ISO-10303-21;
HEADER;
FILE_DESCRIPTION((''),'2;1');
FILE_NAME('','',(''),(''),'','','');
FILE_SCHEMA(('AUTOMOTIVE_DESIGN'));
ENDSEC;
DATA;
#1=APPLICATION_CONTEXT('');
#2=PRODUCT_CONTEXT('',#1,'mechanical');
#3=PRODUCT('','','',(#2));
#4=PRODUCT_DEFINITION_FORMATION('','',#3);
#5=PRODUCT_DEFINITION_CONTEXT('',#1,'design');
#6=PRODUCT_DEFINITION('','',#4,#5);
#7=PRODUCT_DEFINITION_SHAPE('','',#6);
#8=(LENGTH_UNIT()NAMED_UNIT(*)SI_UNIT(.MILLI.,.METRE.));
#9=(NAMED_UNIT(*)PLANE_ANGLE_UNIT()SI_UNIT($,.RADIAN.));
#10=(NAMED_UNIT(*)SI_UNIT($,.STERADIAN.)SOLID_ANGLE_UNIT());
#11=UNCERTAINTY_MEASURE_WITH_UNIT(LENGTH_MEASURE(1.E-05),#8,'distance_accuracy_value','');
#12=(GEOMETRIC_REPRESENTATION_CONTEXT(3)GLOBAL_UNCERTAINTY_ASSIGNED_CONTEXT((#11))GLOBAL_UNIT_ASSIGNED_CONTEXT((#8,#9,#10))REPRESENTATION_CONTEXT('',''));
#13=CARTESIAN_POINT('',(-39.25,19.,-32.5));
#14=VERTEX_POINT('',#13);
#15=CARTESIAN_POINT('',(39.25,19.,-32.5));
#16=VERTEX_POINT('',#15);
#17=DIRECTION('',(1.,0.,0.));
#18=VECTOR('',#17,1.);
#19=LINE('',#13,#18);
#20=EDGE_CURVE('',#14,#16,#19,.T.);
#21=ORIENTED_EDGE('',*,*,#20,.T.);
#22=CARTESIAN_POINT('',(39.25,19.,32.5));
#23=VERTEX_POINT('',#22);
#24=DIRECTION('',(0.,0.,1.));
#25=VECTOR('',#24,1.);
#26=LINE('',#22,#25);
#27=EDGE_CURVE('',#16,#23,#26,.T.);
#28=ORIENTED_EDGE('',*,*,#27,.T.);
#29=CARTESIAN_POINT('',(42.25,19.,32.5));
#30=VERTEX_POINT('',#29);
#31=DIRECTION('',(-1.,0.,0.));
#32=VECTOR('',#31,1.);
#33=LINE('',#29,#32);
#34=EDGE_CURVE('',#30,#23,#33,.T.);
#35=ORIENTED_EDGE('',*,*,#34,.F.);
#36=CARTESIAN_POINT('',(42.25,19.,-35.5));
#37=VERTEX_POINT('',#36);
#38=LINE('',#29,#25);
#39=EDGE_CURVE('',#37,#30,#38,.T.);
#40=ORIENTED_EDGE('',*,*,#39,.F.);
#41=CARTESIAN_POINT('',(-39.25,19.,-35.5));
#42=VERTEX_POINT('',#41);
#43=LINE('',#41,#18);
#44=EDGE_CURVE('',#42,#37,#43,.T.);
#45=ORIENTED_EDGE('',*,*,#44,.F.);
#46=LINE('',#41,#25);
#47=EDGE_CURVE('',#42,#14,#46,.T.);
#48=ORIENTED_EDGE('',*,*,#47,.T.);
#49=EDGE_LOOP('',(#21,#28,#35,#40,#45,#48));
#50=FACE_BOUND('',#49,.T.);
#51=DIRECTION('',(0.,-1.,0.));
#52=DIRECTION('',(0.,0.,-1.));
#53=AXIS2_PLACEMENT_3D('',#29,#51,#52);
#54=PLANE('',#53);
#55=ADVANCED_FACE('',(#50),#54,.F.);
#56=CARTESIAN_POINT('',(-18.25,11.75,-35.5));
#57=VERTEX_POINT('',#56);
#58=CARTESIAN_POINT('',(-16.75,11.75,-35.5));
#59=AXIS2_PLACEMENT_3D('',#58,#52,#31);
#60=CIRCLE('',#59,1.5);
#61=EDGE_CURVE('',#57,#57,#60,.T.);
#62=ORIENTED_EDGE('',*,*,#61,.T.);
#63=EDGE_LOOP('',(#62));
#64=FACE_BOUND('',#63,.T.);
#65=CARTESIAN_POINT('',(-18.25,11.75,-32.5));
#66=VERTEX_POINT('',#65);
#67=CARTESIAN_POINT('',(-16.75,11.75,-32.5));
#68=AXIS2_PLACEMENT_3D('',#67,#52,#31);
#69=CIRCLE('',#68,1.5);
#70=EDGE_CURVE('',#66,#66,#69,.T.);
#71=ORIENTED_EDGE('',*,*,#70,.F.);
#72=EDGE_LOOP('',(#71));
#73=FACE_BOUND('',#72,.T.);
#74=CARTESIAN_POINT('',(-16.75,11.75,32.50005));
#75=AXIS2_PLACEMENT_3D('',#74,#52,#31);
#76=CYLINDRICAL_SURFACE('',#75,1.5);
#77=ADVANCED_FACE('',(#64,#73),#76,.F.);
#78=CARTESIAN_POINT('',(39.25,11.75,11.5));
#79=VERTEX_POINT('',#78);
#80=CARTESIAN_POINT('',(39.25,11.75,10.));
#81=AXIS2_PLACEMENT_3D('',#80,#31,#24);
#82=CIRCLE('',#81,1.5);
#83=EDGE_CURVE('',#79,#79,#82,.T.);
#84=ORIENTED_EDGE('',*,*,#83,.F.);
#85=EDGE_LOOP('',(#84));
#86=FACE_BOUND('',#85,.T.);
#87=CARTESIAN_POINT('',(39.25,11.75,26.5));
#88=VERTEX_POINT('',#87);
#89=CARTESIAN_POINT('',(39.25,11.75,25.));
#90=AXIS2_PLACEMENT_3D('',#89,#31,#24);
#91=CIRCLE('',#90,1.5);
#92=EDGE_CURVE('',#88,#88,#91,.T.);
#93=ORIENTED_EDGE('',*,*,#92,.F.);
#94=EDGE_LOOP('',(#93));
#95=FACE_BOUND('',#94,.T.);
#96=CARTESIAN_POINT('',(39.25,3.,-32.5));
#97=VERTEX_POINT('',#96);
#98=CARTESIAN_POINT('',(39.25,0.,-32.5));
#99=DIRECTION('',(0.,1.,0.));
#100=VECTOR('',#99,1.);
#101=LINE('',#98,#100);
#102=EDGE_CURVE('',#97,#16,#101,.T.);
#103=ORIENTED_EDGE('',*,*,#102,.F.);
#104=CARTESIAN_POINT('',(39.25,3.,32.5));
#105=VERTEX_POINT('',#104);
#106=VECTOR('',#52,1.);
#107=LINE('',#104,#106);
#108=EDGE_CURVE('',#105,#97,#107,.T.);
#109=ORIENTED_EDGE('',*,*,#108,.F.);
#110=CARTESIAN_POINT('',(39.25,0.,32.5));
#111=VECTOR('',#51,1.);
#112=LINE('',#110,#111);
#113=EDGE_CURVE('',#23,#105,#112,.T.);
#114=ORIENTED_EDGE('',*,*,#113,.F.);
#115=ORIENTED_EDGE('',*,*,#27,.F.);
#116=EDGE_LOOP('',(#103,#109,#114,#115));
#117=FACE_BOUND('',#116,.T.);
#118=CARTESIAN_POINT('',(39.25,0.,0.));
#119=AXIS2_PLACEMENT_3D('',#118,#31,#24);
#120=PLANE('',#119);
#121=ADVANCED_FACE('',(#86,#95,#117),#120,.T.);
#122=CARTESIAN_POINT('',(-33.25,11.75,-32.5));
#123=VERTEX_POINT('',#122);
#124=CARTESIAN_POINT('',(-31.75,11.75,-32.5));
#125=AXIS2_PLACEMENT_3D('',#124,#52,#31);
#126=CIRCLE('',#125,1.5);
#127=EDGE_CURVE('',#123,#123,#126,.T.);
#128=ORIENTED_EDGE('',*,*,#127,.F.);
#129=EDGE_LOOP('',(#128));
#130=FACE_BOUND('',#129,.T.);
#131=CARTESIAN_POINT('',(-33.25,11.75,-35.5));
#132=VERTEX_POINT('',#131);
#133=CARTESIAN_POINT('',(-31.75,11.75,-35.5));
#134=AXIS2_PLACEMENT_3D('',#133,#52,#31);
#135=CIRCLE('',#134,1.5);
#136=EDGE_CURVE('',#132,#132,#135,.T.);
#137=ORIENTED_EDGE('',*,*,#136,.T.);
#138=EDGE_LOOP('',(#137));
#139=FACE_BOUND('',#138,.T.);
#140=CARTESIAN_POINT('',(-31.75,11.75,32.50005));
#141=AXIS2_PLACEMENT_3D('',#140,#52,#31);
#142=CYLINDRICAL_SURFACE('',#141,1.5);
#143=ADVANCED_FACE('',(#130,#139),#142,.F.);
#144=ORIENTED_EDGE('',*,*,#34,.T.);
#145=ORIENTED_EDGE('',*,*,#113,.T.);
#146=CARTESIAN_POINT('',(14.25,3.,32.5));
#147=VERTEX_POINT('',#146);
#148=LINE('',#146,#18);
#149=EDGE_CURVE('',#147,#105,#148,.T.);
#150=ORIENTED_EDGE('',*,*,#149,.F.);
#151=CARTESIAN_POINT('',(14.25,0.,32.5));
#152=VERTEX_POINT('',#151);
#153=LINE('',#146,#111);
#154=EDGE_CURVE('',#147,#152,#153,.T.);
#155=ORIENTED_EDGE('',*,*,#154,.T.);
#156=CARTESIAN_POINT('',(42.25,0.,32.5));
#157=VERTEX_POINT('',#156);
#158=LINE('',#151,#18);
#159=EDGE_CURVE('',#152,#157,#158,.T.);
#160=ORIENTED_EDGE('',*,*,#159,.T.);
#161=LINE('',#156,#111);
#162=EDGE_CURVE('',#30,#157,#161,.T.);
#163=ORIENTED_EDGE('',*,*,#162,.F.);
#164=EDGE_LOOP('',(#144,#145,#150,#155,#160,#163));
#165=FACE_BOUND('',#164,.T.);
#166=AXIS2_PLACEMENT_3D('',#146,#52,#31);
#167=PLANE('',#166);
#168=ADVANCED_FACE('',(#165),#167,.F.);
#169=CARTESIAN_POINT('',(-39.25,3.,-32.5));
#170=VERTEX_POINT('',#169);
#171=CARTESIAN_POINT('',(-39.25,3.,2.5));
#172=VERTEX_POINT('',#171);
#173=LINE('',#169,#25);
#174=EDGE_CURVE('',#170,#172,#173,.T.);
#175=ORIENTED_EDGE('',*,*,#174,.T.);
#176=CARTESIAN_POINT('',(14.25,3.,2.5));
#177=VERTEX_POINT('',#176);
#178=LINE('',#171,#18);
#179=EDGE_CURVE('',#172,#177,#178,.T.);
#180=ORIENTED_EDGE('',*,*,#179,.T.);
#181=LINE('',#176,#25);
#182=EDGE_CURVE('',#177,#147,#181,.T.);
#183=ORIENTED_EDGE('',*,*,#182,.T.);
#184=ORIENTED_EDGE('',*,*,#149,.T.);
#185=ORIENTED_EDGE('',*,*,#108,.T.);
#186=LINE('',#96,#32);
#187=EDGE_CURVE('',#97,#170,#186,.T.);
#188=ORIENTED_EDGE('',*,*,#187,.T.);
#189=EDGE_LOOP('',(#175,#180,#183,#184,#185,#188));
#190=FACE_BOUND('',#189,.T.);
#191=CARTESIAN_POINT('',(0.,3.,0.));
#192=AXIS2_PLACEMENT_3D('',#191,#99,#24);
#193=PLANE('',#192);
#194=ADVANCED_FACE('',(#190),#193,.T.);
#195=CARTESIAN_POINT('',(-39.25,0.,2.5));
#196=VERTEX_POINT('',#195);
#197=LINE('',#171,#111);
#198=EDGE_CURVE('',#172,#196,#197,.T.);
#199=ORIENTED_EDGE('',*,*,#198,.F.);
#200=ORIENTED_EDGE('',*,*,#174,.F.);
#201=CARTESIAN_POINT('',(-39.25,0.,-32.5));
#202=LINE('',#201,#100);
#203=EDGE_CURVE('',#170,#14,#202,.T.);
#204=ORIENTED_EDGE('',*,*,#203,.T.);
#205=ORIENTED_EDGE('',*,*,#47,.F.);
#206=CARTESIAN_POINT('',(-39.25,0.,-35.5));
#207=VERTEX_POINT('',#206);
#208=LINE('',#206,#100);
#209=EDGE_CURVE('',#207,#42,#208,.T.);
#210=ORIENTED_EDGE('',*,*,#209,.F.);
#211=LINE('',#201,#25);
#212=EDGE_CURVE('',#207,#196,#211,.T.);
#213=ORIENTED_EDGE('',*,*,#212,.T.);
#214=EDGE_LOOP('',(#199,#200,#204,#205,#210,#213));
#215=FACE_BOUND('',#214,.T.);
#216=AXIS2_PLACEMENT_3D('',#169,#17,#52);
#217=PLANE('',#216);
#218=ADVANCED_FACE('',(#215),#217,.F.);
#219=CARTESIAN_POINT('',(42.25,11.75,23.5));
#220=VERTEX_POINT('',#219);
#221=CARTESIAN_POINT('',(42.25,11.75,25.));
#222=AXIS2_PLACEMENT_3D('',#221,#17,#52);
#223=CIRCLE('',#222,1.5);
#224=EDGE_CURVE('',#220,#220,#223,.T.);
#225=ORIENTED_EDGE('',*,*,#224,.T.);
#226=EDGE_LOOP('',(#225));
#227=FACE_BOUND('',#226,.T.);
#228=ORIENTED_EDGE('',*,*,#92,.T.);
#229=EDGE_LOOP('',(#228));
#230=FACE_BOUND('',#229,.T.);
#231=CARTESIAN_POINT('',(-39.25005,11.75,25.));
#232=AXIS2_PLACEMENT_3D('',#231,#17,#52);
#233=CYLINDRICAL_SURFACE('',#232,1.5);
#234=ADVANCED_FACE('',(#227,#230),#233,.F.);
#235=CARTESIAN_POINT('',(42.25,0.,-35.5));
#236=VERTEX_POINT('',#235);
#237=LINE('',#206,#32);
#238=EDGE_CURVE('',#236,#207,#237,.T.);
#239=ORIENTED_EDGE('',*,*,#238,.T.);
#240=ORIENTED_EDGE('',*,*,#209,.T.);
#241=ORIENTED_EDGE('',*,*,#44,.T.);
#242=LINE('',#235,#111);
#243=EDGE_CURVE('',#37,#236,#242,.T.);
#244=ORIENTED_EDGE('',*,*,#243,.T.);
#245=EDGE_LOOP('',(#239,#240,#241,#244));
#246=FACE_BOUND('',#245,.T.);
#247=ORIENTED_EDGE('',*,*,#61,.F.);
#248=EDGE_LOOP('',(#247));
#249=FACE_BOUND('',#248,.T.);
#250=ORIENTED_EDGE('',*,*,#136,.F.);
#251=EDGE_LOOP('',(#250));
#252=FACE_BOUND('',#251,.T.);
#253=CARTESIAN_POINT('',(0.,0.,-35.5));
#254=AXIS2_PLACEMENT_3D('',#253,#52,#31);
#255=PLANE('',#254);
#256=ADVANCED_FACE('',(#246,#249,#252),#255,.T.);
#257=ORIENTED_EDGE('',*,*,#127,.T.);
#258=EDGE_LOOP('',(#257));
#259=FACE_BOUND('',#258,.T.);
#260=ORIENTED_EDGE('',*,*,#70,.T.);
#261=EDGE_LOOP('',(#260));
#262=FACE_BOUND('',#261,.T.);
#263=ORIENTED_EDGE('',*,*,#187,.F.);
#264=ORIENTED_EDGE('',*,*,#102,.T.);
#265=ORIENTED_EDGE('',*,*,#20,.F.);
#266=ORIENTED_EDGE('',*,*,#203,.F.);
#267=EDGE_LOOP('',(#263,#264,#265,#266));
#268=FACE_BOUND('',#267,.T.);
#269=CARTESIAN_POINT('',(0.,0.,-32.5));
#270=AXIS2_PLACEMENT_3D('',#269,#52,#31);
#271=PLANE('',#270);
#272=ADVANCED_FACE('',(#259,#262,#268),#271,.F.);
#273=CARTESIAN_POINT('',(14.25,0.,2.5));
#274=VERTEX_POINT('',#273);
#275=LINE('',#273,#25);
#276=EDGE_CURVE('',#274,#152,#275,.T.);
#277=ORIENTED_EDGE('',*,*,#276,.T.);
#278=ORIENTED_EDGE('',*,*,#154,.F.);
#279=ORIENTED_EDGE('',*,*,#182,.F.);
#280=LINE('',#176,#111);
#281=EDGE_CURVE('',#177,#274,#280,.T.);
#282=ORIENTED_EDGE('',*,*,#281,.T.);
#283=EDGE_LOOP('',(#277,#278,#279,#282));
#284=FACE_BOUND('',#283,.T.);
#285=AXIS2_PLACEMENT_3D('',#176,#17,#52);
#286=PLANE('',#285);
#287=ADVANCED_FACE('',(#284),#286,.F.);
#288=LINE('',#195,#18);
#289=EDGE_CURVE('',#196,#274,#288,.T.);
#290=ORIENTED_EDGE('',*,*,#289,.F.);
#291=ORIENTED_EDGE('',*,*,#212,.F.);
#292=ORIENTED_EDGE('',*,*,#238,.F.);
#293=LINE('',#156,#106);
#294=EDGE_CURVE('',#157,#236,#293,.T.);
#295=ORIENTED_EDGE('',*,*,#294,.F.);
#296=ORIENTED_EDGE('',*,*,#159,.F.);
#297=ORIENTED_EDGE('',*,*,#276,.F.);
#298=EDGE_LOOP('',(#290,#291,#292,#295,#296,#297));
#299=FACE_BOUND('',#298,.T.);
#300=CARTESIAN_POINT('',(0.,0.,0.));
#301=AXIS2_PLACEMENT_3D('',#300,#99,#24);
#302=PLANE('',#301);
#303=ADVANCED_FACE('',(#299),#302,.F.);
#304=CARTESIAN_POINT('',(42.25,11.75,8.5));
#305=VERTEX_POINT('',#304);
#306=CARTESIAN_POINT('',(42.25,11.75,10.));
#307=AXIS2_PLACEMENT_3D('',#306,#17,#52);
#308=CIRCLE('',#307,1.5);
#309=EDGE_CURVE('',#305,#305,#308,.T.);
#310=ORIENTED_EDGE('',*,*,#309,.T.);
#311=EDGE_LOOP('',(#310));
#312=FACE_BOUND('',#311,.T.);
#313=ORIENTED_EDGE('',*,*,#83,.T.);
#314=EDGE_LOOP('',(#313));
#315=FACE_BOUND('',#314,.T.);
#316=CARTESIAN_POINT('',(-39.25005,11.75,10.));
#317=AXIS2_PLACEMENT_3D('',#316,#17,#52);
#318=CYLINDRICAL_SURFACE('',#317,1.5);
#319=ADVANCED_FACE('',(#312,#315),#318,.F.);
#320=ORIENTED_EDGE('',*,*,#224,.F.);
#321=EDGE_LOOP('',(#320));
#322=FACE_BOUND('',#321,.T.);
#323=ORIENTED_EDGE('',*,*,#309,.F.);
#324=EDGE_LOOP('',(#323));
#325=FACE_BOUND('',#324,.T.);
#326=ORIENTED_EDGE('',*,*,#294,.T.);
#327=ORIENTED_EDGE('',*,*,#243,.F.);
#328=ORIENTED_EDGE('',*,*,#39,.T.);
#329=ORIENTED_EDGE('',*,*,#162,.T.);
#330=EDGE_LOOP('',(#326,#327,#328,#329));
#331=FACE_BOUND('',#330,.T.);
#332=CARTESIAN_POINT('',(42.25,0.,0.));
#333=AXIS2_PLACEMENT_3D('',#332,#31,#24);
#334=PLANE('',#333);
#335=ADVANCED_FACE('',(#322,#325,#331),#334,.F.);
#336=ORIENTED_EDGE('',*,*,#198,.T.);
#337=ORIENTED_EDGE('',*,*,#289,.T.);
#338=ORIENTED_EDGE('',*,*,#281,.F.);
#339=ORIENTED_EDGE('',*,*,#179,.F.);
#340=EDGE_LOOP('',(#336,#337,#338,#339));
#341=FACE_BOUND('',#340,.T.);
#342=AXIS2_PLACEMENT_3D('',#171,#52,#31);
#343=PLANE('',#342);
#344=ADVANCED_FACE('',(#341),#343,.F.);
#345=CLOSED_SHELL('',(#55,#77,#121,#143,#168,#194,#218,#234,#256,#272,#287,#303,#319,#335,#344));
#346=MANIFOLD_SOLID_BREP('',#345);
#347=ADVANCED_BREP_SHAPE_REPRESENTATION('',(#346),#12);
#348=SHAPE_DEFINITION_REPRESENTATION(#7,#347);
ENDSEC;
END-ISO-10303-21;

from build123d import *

# Parameters (mm, degrees)
SALIENTE_EXTRUIR1_DEPTH = 3
CROQUIS2_W              = 65
CROQUIS2_H              = 19
SALIENTE_EXTRUIR2_DEPTH = 3
CROQUIS3_W              = 81.5
CROQUIS3_H              = 19
SALIENTE_EXTRUIR3_DEPTH = 3
CROQUIS4_R              = 1.5
CORTAR_EXTRUIR1_DEPTH   = 69
CROQUIS5_R              = 1.5
CORTAR_EXTRUIR2_DEPTH   = 82.5


with BuildPart() as part:
    # Croquis1 → Saliente-Extruir1 (new body)
    with BuildSketch(Plane(origin=(0, 0, 0), x_dir=(1, 0, 0), z_dir=(0, 1, 0))):
        Polygon((-39.25, -2.5), (14.25, -2.5), (14.25, -32.5), (39.25, -32.5), (39.25, 32.5), (-39.25, 32.5), align=None)
    extrude(amount=SALIENTE_EXTRUIR1_DEPTH)

    # Croquis2 → Saliente-Extruir2 (add)
    with BuildSketch(Plane(origin=(39.25, 0, 0), x_dir=(0, 0, -1), z_dir=(1, 0, 0))):
        with Locations((0, 9.5)):
            Rectangle(CROQUIS2_W, CROQUIS2_H)
    extrude(amount=SALIENTE_EXTRUIR2_DEPTH)

    # Croquis3 → Saliente-Extruir3 (add)
    with BuildSketch(Plane(origin=(0, 0, -32.5), x_dir=(-1, 0, 0), z_dir=(0, 0, -1))):
        with Locations((-1.5, 9.5)):
            Rectangle(CROQUIS3_W, CROQUIS3_H)
    extrude(amount=SALIENTE_EXTRUIR3_DEPTH)

    # Croquis4 → Cortar-Extruir1 (cut, through all)
    with BuildSketch(Plane(origin=(0, 0, -35.5), x_dir=(-1, 0, 0), z_dir=(0, 0, -1))):
        with Locations((31.75, 11.75)):
            Circle(CROQUIS4_R)
        with Locations((16.75, 11.75)):
            Circle(CROQUIS4_R)
    extrude(amount=-CORTAR_EXTRUIR1_DEPTH, mode=Mode.SUBTRACT)

    # Croquis5 → Cortar-Extruir2 (cut, through all)
    with BuildSketch(Plane(origin=(42.25, 0, 0), x_dir=(0, 0, -1), z_dir=(1, 0, 0))):
        with Locations((-25, 11.75)):
            Circle(CROQUIS5_R)
        with Locations((-10, 11.75)):
            Circle(CROQUIS5_R)
    extrude(amount=-CORTAR_EXTRUIR2_DEPTH, mode=Mode.SUBTRACT)


solid = part.part
